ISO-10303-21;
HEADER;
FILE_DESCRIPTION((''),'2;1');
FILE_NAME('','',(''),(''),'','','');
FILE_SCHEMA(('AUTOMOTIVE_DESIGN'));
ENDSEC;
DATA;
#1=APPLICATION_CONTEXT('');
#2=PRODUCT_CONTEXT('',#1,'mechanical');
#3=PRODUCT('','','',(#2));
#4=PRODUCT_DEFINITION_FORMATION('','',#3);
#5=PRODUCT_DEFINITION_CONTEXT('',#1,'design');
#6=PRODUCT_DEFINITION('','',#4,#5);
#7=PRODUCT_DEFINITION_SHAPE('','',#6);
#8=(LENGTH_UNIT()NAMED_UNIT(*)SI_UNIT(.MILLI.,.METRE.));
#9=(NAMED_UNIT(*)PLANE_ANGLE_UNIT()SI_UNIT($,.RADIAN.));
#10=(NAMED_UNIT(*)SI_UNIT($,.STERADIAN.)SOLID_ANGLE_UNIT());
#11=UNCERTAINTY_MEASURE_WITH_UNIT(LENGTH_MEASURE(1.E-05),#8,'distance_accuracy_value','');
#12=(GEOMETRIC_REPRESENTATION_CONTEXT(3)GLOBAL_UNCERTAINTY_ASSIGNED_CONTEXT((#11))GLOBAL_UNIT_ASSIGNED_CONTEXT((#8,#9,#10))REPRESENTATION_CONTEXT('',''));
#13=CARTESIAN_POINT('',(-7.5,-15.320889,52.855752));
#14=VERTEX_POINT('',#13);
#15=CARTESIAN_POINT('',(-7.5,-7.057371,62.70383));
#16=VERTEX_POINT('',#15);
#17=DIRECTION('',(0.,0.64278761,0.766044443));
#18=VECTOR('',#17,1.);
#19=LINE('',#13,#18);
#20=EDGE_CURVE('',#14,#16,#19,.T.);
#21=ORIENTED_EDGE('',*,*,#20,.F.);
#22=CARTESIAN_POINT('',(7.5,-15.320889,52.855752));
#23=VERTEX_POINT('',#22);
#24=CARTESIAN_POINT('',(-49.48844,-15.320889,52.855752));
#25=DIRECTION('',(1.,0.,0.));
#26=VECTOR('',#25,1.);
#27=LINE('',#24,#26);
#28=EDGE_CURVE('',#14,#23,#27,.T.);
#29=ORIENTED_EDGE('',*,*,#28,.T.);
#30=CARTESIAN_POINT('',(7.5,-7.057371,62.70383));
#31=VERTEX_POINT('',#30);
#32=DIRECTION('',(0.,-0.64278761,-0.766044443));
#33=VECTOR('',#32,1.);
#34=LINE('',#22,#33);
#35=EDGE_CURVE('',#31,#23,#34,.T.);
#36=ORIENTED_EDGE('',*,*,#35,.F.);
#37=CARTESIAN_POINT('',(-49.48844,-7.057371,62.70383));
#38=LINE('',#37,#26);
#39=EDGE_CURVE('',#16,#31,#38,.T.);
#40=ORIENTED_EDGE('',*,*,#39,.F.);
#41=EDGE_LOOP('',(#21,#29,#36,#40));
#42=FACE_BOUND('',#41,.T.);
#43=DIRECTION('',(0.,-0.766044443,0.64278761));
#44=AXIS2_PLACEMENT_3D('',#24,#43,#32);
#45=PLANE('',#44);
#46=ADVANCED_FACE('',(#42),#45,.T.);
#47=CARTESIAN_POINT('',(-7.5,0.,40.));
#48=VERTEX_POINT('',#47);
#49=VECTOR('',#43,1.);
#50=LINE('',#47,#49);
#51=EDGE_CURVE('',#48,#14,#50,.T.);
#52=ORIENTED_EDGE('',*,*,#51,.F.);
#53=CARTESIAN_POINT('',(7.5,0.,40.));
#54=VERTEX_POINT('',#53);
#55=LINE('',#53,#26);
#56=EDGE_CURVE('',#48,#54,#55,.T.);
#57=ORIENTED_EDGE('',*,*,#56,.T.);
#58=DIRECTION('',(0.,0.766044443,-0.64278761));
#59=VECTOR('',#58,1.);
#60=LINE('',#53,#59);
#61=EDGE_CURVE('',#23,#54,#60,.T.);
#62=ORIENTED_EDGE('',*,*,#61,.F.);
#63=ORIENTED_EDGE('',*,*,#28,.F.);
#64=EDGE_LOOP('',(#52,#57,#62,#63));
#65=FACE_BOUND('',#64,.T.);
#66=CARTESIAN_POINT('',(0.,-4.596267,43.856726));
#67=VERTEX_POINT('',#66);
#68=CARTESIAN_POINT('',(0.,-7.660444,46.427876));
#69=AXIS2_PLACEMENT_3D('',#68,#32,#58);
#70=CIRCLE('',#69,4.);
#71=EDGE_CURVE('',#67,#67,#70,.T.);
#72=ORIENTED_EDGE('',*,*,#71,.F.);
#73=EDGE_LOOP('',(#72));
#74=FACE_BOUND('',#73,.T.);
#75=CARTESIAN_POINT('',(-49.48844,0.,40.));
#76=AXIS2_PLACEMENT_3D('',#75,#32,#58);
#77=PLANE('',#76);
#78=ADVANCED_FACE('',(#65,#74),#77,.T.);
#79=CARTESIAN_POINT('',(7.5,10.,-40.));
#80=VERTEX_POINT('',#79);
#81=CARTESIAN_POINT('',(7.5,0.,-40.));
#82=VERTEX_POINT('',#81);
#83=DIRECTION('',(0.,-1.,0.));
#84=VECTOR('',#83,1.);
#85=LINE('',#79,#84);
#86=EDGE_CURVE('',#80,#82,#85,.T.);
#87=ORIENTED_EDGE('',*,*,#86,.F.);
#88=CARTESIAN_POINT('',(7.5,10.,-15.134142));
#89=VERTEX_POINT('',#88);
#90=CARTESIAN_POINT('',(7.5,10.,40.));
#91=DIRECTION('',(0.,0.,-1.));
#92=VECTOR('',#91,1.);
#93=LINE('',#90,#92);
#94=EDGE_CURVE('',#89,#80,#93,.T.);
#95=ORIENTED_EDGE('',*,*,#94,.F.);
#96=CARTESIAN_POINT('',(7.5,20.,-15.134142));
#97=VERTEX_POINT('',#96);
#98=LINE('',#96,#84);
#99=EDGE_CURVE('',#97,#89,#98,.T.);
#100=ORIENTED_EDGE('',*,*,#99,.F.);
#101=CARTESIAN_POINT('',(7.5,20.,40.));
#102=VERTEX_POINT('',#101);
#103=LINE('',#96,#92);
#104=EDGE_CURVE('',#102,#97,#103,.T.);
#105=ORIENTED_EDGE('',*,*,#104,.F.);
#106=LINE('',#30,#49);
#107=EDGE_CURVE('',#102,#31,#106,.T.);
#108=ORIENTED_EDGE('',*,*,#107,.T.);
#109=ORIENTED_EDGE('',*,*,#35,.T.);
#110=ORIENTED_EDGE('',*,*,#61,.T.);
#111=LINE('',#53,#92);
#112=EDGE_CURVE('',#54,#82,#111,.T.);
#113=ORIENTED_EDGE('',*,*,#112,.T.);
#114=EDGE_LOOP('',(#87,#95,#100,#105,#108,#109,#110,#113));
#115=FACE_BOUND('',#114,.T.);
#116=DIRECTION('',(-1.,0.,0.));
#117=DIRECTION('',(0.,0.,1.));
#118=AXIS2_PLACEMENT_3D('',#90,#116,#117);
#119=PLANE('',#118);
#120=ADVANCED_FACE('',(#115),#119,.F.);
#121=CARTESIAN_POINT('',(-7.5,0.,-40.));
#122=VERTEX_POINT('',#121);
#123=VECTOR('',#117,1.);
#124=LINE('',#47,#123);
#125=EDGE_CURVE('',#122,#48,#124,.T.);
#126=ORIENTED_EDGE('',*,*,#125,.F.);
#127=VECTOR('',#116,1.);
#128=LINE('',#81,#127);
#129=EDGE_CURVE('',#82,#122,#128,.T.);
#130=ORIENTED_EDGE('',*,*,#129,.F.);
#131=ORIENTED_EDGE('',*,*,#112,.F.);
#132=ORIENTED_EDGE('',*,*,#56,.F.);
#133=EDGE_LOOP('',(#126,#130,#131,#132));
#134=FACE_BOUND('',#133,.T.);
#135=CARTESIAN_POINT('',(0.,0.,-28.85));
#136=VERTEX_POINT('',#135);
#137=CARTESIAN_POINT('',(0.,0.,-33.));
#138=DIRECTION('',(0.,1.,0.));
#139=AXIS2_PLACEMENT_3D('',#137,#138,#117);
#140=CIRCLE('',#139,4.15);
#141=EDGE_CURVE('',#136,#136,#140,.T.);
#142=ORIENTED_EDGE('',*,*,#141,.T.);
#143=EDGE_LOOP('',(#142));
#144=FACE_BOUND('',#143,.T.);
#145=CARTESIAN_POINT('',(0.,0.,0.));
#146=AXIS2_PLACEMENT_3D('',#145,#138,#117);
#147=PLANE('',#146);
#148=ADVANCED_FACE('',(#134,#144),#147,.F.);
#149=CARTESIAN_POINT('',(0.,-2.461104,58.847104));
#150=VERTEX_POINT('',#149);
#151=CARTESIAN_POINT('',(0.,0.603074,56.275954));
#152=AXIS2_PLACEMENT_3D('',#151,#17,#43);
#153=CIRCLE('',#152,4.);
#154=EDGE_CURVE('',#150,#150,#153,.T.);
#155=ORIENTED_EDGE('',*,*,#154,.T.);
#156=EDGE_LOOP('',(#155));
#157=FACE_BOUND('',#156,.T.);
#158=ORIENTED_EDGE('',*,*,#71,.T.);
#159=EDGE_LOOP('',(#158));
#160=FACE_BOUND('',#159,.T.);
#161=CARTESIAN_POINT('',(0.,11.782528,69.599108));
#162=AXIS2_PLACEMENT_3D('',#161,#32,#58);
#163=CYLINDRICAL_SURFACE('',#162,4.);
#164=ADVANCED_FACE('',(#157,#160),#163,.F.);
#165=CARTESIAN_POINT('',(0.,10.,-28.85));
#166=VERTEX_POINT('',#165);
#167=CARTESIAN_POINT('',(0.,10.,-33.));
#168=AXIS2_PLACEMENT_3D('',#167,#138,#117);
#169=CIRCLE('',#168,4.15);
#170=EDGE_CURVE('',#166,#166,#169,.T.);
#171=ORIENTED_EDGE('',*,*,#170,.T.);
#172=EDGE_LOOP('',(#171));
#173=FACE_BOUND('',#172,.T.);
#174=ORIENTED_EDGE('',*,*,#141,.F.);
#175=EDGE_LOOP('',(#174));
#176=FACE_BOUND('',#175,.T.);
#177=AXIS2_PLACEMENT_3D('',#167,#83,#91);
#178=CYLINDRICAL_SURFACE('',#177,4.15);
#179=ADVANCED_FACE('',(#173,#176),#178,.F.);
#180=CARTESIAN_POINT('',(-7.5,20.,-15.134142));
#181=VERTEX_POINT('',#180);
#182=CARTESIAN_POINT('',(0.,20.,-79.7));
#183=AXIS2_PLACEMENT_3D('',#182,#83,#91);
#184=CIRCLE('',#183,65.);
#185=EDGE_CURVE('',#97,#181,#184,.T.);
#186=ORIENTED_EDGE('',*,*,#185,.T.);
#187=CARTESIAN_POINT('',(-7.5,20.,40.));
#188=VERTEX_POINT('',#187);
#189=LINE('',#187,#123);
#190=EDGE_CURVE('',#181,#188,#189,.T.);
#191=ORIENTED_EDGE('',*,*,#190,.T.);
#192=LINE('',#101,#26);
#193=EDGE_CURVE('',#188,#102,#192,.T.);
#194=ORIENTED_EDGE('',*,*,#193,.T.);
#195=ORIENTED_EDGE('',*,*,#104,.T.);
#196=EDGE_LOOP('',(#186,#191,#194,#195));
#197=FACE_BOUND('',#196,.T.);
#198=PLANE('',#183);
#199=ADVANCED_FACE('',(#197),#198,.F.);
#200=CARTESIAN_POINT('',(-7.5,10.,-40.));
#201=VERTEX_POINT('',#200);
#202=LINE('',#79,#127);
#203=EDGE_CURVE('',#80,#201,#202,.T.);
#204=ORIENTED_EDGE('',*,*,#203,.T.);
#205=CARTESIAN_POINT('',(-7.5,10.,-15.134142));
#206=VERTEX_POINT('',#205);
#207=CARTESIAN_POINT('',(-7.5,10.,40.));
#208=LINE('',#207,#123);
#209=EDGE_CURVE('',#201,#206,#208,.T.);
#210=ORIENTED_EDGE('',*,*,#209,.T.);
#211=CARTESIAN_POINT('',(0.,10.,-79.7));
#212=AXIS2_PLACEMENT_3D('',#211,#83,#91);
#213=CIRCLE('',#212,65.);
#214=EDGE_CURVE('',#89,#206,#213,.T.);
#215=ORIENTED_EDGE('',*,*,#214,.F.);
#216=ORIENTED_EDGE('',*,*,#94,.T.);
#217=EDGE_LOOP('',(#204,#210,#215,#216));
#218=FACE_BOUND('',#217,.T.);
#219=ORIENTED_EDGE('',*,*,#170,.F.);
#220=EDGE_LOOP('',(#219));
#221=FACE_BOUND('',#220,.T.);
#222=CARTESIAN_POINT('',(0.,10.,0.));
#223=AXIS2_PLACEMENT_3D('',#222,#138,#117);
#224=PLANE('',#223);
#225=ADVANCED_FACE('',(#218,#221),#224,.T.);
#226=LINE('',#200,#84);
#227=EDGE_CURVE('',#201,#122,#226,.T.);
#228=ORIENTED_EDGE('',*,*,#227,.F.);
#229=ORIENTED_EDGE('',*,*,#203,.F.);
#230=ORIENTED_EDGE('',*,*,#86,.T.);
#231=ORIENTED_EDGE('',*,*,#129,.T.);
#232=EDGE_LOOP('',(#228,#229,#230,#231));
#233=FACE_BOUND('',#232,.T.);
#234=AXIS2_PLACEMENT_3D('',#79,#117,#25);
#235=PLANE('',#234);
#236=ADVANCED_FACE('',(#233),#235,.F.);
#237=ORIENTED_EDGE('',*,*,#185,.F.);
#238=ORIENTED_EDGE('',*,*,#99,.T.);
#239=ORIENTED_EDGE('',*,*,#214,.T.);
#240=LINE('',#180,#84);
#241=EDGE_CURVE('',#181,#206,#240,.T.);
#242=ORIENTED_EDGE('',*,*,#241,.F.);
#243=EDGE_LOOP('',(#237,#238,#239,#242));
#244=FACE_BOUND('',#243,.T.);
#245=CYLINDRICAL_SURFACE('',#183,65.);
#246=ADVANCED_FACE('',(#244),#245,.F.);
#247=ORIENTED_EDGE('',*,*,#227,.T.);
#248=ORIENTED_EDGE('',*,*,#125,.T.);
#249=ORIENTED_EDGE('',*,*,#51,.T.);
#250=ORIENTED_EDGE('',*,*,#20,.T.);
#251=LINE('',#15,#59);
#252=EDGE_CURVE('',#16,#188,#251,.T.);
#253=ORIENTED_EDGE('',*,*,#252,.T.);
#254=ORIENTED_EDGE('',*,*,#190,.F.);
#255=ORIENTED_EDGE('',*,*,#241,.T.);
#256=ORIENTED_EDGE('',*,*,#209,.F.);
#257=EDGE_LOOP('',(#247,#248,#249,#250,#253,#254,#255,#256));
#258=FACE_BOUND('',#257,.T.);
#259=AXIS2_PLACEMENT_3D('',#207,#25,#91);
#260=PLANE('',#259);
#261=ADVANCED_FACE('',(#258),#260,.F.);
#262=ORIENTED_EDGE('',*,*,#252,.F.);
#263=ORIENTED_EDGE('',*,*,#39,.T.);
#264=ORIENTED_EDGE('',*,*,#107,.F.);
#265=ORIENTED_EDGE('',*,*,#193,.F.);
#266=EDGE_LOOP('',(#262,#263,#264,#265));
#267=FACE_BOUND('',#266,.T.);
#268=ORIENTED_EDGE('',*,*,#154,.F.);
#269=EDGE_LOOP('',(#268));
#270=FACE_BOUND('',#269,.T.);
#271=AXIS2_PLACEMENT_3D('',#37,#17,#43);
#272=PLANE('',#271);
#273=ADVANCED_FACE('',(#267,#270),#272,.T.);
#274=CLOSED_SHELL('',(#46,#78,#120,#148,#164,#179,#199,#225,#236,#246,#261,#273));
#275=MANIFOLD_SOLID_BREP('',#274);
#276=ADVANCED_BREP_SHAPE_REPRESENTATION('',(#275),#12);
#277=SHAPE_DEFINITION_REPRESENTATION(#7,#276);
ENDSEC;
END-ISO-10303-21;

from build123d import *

# Parameters (mm, degrees)
SKETCH1_W           = 15
SKETCH1_H           = 80
SKETCH1_R           = 4.15
BOSS_EXTRUDE1_DEPTH = 10
BOSS_EXTRUDE2_DEPTH = 10
BOSS_EXTRUDE4_DEPTH = 15
SKETCH11_R          = 4
CUT_EXTRUDE5_DEPTH  = 31.247894791


with BuildPart() as part:
    # Sketch1 → Boss-Extrude1 (new body)
    with BuildSketch(Plane(origin=(0, 0, 0), x_dir=(1, 0, 0), z_dir=(0, 1, 0))):
        Rectangle(SKETCH1_W, SKETCH1_H)
        with Locations(Location((0, 33, 0), (0, 0, 270))):  # turned: the seam where the file's is
            Circle(SKETCH1_R, mode=Mode.SUBTRACT)
    extrude(amount=BOSS_EXTRUDE1_DEPTH)

    # Sketch2 → Boss-Extrude2 (add)
    with BuildSketch(Plane(origin=(0, 10, 0), x_dir=(1, 0, 0), z_dir=(0, 1, 0))):
        with BuildLine():
            Line((7.5, 15.134142149), (7.5, -40))
            Line((7.5, -40), (-7.5, -40))
            Line((-7.5, -40), (-7.5, 15.134142149))
            ThreePointArc((-7.5, 15.134142149), (0, 14.7), (7.5, 15.134142149))
        make_face()
    extrude(amount=BOSS_EXTRUDE2_DEPTH)

    # Sketch10 → Boss-Extrude4 (add)
    with BuildSketch(Plane(origin=(7.5, 0, 0), x_dir=(0, 0, -1), z_dir=(1, 0, 0))):
        Polygon((-40, 0), (-52.855752194, -15.320888862), (-62.703829724, -7.057370639), (-40, 20), align=None)
    extrude(amount=-BOSS_EXTRUDE4_DEPTH)

    # Sketch11 → Cut-Extrude5 (cut, through all)
    with BuildSketch(Plane(origin=(0, 19.69615506, 23.472963553), x_dir=(-1, 0, 0), z_dir=(0, -0.64278761, -0.766044443))):
        with Locations(Location((0, -35.711504387, 0), (0, 0, 90))):  # turned: the seam where the file's is
            Circle(SKETCH11_R)
    extrude(amount=-CUT_EXTRUDE5_DEPTH, mode=Mode.SUBTRACT)


solid = part.part
